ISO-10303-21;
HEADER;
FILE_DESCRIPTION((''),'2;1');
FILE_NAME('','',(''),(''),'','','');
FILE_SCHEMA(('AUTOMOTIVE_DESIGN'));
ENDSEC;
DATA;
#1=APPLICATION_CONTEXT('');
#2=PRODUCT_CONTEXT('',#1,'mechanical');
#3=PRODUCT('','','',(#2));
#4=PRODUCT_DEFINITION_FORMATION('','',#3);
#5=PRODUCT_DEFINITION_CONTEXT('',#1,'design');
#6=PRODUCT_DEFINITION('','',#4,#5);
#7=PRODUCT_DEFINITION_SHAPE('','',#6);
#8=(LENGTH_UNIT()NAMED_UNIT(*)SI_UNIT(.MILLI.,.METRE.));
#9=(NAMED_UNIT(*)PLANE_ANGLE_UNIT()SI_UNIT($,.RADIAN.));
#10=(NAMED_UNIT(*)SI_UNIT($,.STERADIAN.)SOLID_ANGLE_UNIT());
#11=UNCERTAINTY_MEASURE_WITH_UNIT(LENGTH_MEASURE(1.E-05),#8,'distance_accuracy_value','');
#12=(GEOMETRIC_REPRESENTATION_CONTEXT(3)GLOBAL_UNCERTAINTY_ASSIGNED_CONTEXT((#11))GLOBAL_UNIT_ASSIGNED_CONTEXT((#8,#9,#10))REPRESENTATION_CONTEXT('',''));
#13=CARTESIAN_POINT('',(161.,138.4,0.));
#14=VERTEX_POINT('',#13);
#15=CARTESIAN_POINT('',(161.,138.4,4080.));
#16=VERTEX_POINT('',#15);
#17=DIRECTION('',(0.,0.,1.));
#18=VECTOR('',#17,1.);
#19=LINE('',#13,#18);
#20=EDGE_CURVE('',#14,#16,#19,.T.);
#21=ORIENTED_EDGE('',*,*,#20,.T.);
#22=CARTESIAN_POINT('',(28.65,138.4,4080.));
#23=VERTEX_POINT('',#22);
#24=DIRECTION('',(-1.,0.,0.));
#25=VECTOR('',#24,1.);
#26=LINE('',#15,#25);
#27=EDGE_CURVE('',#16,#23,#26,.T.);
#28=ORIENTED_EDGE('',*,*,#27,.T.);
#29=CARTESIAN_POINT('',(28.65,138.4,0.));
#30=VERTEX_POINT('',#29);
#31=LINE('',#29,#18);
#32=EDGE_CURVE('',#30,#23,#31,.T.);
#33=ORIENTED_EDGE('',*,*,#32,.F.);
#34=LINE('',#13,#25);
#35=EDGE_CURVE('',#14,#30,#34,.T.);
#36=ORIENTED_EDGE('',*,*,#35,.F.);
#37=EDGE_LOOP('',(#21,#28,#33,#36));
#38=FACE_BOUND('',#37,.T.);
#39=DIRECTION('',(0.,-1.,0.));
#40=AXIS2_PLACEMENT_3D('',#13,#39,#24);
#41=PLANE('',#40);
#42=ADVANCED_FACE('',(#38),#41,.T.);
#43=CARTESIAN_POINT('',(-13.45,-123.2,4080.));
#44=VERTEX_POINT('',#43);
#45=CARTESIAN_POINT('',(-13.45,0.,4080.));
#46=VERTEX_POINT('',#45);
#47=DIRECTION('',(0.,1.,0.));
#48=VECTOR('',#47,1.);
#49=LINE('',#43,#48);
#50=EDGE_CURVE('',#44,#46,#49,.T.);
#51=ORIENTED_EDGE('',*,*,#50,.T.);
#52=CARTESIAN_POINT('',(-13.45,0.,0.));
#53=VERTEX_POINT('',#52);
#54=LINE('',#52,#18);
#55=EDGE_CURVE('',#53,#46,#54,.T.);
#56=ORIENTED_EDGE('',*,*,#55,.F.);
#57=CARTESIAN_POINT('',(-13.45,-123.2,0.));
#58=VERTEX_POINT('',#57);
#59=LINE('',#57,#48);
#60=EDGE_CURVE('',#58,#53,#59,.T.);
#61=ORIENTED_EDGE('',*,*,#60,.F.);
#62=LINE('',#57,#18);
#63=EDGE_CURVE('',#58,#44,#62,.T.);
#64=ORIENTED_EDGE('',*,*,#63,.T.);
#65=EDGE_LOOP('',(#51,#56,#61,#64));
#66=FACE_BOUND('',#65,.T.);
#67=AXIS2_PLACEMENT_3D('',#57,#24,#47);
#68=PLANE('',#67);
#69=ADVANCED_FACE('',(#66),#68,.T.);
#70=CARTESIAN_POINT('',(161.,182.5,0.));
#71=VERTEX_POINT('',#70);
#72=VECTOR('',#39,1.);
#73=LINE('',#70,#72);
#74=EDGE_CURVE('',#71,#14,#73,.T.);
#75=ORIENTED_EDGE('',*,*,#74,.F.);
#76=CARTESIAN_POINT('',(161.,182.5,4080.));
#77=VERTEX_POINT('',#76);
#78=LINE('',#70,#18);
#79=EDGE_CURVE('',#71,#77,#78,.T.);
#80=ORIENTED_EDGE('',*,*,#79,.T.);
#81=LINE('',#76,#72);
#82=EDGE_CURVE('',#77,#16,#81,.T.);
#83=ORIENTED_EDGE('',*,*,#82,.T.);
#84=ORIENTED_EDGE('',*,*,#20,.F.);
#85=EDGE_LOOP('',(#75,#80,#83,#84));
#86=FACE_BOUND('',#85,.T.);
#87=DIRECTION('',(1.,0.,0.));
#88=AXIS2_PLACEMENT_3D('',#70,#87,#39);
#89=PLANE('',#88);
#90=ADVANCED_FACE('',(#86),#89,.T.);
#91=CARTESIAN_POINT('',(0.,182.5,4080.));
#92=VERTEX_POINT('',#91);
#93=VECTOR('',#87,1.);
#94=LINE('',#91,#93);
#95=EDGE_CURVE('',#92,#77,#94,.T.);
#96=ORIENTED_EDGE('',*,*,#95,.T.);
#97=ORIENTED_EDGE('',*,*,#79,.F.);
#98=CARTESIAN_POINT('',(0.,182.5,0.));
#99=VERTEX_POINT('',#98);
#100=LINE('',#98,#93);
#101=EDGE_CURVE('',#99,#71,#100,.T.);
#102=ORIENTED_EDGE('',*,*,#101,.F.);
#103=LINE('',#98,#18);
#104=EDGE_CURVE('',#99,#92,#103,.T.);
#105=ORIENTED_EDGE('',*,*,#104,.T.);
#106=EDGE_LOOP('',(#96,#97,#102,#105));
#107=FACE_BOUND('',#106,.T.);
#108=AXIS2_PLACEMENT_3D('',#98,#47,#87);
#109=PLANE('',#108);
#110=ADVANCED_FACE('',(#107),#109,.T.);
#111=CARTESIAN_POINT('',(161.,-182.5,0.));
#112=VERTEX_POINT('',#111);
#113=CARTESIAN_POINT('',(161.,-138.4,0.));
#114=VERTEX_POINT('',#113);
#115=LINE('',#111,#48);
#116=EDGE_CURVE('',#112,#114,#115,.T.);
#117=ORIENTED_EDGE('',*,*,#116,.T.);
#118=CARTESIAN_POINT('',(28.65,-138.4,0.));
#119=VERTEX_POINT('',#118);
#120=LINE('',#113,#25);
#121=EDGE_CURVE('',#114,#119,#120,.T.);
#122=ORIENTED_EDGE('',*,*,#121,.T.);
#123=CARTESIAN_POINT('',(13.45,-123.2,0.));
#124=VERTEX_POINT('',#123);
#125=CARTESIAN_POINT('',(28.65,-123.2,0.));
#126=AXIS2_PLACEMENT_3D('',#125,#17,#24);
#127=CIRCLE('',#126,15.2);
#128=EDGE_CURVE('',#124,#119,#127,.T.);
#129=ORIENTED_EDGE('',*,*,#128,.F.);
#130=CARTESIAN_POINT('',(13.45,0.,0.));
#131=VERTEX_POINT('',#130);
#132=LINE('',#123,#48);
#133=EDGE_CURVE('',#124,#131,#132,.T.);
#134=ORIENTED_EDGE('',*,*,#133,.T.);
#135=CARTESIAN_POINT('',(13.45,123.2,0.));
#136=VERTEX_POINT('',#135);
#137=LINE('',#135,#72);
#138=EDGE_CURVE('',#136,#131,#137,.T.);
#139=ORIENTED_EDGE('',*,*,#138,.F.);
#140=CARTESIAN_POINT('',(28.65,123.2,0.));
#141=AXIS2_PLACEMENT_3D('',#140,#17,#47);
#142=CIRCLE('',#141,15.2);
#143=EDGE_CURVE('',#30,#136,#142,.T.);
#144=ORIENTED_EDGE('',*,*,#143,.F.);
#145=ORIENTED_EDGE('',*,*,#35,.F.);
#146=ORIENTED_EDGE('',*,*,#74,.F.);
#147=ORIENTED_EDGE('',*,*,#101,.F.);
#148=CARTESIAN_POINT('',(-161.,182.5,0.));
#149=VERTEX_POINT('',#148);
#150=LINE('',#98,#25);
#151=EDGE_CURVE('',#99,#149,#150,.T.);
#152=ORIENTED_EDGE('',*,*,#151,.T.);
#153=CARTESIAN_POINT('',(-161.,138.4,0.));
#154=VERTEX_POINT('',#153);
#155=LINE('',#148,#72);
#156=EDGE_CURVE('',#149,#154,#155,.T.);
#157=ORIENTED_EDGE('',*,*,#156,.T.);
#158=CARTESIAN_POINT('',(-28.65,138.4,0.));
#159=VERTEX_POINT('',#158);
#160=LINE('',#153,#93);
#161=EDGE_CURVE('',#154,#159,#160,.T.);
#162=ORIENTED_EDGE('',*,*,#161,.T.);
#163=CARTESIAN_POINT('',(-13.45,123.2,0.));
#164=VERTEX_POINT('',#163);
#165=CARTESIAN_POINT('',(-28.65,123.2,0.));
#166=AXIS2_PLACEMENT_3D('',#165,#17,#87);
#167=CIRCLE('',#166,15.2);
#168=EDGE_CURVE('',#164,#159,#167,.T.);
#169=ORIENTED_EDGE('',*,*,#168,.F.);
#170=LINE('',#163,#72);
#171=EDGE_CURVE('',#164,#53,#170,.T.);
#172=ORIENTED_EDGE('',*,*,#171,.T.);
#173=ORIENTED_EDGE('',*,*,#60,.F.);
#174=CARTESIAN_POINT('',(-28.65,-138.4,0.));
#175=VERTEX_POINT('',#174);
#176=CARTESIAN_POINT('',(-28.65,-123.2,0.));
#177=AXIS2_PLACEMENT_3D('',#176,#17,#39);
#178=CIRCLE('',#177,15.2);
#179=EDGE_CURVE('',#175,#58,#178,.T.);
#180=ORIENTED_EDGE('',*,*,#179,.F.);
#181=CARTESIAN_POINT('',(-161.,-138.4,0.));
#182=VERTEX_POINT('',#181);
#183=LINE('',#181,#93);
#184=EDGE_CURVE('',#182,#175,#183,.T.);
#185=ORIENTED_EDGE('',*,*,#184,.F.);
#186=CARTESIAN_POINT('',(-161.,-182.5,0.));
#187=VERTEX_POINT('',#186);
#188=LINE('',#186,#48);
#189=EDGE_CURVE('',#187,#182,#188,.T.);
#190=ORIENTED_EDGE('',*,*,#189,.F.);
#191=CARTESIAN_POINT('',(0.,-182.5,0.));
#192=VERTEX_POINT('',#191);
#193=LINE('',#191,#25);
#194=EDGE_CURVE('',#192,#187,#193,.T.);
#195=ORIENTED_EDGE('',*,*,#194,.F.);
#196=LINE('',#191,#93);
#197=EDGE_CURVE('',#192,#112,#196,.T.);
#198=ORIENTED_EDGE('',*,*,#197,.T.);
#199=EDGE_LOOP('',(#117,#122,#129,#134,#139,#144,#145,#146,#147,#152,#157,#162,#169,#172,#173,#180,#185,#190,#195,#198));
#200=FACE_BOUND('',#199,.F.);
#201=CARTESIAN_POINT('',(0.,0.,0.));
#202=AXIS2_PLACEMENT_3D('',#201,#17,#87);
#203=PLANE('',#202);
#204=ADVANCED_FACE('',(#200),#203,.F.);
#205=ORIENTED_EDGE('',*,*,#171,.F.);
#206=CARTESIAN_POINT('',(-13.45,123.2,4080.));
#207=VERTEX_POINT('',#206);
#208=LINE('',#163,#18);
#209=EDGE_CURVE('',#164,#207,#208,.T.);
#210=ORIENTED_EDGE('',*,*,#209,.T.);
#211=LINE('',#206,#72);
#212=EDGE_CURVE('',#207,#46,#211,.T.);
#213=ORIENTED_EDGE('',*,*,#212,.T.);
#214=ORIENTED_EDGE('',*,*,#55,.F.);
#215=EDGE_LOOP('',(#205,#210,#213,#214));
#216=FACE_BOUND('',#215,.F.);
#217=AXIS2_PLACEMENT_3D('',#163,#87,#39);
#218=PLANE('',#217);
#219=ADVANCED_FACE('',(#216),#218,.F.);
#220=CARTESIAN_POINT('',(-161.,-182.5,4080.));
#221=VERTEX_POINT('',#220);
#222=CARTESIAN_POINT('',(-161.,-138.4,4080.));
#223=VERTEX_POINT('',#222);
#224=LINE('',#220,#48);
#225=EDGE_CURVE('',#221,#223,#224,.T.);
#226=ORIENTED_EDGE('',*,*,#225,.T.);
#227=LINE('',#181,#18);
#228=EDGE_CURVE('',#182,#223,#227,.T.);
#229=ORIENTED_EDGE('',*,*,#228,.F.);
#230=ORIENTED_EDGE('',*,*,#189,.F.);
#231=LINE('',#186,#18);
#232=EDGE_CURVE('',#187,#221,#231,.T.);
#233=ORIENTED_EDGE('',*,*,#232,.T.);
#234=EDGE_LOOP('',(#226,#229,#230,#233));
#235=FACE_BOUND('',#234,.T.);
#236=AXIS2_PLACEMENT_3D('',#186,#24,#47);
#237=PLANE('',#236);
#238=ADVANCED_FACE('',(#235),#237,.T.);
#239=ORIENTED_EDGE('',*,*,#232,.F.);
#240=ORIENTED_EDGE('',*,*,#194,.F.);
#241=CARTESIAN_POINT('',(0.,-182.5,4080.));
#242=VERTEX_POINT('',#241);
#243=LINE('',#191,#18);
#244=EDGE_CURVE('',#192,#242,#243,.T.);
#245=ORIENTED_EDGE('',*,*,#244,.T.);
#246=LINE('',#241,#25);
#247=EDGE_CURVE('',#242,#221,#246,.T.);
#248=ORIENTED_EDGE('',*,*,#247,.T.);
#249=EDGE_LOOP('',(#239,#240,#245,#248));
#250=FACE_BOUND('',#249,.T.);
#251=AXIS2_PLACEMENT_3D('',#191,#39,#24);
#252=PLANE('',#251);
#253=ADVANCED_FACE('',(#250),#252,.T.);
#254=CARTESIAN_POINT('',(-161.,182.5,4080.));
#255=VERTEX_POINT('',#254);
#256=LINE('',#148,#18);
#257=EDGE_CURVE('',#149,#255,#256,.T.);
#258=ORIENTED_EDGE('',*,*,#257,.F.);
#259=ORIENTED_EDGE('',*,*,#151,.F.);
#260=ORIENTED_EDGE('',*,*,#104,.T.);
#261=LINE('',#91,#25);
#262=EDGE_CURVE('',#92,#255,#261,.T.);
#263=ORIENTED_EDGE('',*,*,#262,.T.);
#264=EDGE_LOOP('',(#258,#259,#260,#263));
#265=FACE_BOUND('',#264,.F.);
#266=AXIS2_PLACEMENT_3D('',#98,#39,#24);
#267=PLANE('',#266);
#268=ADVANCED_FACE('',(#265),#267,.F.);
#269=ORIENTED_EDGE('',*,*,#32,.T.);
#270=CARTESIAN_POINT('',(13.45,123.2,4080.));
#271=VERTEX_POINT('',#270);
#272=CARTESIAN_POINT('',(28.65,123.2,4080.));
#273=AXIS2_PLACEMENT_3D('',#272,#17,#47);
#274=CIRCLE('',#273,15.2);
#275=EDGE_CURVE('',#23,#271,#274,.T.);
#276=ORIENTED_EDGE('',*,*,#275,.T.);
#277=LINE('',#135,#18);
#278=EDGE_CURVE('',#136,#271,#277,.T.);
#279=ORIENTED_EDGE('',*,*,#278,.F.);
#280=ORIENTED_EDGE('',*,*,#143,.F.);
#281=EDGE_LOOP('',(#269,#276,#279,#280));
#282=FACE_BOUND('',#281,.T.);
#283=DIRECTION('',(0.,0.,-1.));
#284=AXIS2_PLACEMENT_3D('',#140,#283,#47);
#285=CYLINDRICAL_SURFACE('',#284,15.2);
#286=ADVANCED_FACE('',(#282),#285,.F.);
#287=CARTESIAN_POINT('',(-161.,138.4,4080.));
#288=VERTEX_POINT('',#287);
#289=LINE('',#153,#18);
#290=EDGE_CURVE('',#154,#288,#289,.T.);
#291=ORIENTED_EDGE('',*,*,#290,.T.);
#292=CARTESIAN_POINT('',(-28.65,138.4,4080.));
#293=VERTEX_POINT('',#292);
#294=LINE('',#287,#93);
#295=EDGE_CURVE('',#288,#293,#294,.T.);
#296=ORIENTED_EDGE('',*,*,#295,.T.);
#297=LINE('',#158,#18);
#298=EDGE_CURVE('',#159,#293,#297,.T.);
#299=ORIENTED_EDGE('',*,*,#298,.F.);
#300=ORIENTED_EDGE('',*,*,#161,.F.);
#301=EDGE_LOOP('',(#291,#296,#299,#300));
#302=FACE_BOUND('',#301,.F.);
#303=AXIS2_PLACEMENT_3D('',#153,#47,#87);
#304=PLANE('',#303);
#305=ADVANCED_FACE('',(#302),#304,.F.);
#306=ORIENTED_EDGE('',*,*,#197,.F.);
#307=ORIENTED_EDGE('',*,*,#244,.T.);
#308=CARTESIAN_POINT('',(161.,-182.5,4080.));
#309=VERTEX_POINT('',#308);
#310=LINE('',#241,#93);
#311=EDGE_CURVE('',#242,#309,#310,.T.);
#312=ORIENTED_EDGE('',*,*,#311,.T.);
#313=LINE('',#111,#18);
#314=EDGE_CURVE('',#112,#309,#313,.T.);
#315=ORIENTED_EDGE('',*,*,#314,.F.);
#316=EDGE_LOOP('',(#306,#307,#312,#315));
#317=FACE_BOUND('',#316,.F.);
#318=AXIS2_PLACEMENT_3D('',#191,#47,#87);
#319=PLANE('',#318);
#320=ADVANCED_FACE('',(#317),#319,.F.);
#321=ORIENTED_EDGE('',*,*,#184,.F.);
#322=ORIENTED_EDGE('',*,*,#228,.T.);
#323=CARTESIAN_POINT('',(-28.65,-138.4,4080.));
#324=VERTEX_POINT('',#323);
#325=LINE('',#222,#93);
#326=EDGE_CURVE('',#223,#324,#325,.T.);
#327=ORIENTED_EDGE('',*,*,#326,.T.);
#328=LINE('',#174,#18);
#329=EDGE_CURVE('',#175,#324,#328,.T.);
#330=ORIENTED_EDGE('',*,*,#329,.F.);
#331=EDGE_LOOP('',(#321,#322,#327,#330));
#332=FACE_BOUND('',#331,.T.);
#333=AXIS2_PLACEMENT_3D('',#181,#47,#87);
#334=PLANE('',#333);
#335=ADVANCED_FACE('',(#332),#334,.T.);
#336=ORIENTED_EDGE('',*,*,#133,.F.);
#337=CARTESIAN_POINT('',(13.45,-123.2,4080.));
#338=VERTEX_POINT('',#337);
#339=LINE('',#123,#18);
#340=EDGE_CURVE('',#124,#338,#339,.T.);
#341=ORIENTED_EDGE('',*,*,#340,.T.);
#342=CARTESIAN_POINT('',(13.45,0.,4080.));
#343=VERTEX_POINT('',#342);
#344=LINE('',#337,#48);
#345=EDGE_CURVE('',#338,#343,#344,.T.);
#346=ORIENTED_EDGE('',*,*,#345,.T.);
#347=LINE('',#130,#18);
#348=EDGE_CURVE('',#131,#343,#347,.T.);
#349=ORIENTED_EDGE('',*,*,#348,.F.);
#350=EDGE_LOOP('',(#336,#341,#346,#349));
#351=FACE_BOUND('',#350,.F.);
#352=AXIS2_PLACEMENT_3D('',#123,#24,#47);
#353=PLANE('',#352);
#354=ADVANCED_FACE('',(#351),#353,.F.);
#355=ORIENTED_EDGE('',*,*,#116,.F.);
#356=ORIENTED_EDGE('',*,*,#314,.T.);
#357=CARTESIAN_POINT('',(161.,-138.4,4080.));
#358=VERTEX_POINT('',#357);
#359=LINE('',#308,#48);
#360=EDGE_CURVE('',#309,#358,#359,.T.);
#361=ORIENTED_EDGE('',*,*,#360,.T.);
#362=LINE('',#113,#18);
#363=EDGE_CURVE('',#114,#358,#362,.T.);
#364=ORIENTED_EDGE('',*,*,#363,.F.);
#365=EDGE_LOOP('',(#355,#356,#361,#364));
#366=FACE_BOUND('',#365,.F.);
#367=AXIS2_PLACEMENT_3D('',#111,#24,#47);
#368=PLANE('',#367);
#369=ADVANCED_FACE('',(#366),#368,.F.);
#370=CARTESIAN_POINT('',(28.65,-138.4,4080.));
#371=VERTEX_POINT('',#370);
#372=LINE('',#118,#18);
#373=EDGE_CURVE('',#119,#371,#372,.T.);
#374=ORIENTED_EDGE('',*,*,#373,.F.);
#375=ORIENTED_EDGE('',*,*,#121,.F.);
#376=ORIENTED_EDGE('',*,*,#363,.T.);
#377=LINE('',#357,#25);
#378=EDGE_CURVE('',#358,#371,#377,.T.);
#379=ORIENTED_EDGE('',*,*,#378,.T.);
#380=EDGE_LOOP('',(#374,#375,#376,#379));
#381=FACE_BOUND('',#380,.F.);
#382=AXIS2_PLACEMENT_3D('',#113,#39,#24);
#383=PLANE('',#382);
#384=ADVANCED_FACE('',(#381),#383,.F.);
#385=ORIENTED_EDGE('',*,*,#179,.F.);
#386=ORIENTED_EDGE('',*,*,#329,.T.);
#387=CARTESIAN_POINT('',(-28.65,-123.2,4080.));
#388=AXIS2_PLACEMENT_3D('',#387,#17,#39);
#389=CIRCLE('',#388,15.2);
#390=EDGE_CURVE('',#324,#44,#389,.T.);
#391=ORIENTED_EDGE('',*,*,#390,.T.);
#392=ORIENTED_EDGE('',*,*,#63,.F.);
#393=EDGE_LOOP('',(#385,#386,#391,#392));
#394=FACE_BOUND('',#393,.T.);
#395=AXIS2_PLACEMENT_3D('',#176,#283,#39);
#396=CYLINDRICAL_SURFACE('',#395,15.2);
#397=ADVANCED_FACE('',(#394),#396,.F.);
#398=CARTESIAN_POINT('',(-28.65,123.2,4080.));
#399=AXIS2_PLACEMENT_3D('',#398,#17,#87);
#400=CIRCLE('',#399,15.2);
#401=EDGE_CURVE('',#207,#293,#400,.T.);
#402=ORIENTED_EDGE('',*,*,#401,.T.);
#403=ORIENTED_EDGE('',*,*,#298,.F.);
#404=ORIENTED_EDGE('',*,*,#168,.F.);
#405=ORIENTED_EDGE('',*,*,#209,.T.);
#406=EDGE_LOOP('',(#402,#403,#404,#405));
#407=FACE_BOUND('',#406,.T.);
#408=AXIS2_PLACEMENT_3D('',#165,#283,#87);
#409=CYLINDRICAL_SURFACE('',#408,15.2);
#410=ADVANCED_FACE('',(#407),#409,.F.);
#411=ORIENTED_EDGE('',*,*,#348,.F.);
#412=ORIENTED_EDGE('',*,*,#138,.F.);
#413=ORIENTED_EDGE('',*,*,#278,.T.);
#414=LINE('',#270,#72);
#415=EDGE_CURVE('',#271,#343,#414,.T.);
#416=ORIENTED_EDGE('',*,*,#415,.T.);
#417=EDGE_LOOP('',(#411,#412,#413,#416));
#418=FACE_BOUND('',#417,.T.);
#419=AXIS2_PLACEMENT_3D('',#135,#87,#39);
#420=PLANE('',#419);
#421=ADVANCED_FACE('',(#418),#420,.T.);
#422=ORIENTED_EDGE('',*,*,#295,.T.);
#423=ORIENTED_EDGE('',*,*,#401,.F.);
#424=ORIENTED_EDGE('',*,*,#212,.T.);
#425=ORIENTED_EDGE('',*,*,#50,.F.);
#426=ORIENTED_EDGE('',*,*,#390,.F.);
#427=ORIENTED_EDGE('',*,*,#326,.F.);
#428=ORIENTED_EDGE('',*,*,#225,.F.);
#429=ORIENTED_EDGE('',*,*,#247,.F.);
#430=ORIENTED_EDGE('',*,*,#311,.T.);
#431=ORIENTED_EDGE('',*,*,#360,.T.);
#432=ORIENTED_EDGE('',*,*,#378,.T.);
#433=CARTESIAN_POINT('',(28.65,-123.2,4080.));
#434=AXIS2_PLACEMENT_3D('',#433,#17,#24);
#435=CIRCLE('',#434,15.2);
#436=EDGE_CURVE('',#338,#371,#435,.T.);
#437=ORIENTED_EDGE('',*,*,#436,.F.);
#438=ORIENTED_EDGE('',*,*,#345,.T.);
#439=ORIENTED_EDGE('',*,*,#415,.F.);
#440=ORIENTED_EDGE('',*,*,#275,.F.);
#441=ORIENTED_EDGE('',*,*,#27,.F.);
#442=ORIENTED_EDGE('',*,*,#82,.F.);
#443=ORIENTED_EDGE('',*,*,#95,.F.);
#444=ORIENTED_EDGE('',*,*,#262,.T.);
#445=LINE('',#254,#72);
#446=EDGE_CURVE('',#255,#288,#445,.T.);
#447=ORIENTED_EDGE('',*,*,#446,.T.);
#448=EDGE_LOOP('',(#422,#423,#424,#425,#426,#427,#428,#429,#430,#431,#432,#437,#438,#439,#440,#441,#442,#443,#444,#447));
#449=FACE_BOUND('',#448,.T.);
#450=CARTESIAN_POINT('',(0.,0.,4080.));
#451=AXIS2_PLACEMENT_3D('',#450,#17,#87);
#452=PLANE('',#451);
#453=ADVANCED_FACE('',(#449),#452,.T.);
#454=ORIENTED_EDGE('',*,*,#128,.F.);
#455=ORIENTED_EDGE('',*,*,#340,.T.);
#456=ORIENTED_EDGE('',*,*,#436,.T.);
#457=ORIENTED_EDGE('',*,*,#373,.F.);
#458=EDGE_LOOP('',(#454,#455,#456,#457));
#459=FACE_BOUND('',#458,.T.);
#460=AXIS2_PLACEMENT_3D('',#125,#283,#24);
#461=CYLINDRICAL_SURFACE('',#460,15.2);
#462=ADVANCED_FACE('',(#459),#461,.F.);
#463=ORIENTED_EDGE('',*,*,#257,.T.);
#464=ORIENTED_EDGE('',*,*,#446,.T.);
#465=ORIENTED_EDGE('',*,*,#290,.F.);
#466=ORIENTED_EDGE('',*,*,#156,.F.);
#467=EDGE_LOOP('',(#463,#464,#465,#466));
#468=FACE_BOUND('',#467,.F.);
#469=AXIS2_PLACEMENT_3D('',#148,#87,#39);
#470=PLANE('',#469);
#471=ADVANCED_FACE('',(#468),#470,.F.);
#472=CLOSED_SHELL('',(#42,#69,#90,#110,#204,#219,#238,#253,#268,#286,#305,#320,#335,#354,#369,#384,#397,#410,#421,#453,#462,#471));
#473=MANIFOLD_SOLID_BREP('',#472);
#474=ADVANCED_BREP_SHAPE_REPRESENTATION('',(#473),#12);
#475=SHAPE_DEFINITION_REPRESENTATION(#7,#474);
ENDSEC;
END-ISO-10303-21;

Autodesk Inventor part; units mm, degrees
ref_plane "YZ Plane" through (0, 0, 0) normal (1, 0, 0) x (0, 1, 0)
ref_plane "Start plane" through (0, 0, 0) normal (0, 0, 1) x (1, 0, 0)
ref_plane "End plane" through (0, 0, 4080) normal (0, 0, 1) x (1, 0, 0)
sketch "Sketch" plane through (0, 0, 0) normal (0, 0, 1) x (1, 0, 0)
  line L0 (-161, -182.5) -> (-161, -138.4)
  line L1 (-161, -138.4) -> (-28.65, -138.4)
  line L2 (-13.45, -123.2) -> (-13.45, 0)
  line L3 (-13.45, 0) -> (0, 0) construction
  line L4 (0, 0) -> (0, -182.5) construction
  line L5 (0, -182.5) -> (-161, -182.5)
  line L6 (-60, 0) -> (80, 0) construction
  line L7 (0, -60) -> (0, 80) construction
  line L8 (161, -182.5) -> (161, -138.4)
  line L9 (161, -138.4) -> (28.65, -138.4)
  line L10 (13.45, -123.2) -> (13.45, 0)
  line L11 (13.45, 0) -> (0, 0) construction
  line L12 (0, -182.5) -> (161, -182.5)
  line L13 (-161, 182.5) -> (-161, 138.4)
  line L14 (-161, 138.4) -> (-28.65, 138.4)
  line L15 (-13.45, 123.2) -> (-13.45, 0)
  line L16 (0, 182.5) -> (-161, 182.5)
  line L17 (161, 182.5) -> (161, 138.4)
  line L18 (161, 138.4) -> (28.65, 138.4)
  line L19 (0, 182.5) -> (161, 182.5)
  line L20 (13.45, 123.2) -> (13.45, 0)
  arc A0 (-13.45, 123.2) -> (-28.65, 138.4) centre (-28.65, 123.2) ccw
  arc A1 (28.65, 138.4) -> (13.45, 123.2) centre (28.65, 123.2) ccw
  arc A2 (13.45, -123.2) -> (28.65, -138.4) centre (28.65, -123.2) ccw
  arc A3 (-28.65, -138.4) -> (-13.45, -123.2) centre (-28.65, -123.2) ccw
  line L21 (0, 108) -> (0, -88) construction
  line L22 (-88, 0) -> (108, 0) construction
  point P0 (-13.45, -138.4)
  point P1 (13.45, -138.4)
  point P2 (-13.45, 138.4)
  point P3 (13.45, 138.4)
  dimension "d1" = 182.5
  dimension "d2" = 44.1
  dimension "d3" = 161
  dimension "d4" = 13.45
  dimension "d10" = 15.2
extrude "Body" add sketch "Sketch" along normal up to surface (4080 mm away) from surface at 0
sketch "Sketch4" plane through (0, 0, 0) normal (0, 0, 1) x (1, 0, 0)
  line L0 (0, 0) -> (10, 0)
ref_plane "Work Plane3" through (0, 0, 0) normal (0, -1, 0) x (1, 0, 0)
sketch "Sketch5" plane through (0, 0, 0) normal (0, -1, 0) x (1, 0, 0)
  line L0 (-2, 0) -> (12, 0) projected
  line L1 (-2, 4080) -> (12, 4080) projected
  dimension "d14" = 4080
equation "\"d1\" = 0.5 * G_H"
equation "\"d2\" = G_T1"
equation "\"d3\" = 0.5 * G_W"
equation "\"d4\" = 0.5 * G_T"
equation "\"d10\" = G_IR"
equation "\"d5\" = G_L"
equation "\"G_W\" = 322"
equation "\"G_H\" = 365"
equation "\"G_T\" = 26.9"
equation "\"G_T1\" = 44.1"
equation "\"G_IR\" = 15.2"
equation "\"G_L\" = d14"
equation "\"G_OFFSET_START\" = 0"
equation "\"G_OFFSET_END\" = 0"
properties part number "AS 3679 - 310 UC - 283 - 4080" material "Steel, Mild"
